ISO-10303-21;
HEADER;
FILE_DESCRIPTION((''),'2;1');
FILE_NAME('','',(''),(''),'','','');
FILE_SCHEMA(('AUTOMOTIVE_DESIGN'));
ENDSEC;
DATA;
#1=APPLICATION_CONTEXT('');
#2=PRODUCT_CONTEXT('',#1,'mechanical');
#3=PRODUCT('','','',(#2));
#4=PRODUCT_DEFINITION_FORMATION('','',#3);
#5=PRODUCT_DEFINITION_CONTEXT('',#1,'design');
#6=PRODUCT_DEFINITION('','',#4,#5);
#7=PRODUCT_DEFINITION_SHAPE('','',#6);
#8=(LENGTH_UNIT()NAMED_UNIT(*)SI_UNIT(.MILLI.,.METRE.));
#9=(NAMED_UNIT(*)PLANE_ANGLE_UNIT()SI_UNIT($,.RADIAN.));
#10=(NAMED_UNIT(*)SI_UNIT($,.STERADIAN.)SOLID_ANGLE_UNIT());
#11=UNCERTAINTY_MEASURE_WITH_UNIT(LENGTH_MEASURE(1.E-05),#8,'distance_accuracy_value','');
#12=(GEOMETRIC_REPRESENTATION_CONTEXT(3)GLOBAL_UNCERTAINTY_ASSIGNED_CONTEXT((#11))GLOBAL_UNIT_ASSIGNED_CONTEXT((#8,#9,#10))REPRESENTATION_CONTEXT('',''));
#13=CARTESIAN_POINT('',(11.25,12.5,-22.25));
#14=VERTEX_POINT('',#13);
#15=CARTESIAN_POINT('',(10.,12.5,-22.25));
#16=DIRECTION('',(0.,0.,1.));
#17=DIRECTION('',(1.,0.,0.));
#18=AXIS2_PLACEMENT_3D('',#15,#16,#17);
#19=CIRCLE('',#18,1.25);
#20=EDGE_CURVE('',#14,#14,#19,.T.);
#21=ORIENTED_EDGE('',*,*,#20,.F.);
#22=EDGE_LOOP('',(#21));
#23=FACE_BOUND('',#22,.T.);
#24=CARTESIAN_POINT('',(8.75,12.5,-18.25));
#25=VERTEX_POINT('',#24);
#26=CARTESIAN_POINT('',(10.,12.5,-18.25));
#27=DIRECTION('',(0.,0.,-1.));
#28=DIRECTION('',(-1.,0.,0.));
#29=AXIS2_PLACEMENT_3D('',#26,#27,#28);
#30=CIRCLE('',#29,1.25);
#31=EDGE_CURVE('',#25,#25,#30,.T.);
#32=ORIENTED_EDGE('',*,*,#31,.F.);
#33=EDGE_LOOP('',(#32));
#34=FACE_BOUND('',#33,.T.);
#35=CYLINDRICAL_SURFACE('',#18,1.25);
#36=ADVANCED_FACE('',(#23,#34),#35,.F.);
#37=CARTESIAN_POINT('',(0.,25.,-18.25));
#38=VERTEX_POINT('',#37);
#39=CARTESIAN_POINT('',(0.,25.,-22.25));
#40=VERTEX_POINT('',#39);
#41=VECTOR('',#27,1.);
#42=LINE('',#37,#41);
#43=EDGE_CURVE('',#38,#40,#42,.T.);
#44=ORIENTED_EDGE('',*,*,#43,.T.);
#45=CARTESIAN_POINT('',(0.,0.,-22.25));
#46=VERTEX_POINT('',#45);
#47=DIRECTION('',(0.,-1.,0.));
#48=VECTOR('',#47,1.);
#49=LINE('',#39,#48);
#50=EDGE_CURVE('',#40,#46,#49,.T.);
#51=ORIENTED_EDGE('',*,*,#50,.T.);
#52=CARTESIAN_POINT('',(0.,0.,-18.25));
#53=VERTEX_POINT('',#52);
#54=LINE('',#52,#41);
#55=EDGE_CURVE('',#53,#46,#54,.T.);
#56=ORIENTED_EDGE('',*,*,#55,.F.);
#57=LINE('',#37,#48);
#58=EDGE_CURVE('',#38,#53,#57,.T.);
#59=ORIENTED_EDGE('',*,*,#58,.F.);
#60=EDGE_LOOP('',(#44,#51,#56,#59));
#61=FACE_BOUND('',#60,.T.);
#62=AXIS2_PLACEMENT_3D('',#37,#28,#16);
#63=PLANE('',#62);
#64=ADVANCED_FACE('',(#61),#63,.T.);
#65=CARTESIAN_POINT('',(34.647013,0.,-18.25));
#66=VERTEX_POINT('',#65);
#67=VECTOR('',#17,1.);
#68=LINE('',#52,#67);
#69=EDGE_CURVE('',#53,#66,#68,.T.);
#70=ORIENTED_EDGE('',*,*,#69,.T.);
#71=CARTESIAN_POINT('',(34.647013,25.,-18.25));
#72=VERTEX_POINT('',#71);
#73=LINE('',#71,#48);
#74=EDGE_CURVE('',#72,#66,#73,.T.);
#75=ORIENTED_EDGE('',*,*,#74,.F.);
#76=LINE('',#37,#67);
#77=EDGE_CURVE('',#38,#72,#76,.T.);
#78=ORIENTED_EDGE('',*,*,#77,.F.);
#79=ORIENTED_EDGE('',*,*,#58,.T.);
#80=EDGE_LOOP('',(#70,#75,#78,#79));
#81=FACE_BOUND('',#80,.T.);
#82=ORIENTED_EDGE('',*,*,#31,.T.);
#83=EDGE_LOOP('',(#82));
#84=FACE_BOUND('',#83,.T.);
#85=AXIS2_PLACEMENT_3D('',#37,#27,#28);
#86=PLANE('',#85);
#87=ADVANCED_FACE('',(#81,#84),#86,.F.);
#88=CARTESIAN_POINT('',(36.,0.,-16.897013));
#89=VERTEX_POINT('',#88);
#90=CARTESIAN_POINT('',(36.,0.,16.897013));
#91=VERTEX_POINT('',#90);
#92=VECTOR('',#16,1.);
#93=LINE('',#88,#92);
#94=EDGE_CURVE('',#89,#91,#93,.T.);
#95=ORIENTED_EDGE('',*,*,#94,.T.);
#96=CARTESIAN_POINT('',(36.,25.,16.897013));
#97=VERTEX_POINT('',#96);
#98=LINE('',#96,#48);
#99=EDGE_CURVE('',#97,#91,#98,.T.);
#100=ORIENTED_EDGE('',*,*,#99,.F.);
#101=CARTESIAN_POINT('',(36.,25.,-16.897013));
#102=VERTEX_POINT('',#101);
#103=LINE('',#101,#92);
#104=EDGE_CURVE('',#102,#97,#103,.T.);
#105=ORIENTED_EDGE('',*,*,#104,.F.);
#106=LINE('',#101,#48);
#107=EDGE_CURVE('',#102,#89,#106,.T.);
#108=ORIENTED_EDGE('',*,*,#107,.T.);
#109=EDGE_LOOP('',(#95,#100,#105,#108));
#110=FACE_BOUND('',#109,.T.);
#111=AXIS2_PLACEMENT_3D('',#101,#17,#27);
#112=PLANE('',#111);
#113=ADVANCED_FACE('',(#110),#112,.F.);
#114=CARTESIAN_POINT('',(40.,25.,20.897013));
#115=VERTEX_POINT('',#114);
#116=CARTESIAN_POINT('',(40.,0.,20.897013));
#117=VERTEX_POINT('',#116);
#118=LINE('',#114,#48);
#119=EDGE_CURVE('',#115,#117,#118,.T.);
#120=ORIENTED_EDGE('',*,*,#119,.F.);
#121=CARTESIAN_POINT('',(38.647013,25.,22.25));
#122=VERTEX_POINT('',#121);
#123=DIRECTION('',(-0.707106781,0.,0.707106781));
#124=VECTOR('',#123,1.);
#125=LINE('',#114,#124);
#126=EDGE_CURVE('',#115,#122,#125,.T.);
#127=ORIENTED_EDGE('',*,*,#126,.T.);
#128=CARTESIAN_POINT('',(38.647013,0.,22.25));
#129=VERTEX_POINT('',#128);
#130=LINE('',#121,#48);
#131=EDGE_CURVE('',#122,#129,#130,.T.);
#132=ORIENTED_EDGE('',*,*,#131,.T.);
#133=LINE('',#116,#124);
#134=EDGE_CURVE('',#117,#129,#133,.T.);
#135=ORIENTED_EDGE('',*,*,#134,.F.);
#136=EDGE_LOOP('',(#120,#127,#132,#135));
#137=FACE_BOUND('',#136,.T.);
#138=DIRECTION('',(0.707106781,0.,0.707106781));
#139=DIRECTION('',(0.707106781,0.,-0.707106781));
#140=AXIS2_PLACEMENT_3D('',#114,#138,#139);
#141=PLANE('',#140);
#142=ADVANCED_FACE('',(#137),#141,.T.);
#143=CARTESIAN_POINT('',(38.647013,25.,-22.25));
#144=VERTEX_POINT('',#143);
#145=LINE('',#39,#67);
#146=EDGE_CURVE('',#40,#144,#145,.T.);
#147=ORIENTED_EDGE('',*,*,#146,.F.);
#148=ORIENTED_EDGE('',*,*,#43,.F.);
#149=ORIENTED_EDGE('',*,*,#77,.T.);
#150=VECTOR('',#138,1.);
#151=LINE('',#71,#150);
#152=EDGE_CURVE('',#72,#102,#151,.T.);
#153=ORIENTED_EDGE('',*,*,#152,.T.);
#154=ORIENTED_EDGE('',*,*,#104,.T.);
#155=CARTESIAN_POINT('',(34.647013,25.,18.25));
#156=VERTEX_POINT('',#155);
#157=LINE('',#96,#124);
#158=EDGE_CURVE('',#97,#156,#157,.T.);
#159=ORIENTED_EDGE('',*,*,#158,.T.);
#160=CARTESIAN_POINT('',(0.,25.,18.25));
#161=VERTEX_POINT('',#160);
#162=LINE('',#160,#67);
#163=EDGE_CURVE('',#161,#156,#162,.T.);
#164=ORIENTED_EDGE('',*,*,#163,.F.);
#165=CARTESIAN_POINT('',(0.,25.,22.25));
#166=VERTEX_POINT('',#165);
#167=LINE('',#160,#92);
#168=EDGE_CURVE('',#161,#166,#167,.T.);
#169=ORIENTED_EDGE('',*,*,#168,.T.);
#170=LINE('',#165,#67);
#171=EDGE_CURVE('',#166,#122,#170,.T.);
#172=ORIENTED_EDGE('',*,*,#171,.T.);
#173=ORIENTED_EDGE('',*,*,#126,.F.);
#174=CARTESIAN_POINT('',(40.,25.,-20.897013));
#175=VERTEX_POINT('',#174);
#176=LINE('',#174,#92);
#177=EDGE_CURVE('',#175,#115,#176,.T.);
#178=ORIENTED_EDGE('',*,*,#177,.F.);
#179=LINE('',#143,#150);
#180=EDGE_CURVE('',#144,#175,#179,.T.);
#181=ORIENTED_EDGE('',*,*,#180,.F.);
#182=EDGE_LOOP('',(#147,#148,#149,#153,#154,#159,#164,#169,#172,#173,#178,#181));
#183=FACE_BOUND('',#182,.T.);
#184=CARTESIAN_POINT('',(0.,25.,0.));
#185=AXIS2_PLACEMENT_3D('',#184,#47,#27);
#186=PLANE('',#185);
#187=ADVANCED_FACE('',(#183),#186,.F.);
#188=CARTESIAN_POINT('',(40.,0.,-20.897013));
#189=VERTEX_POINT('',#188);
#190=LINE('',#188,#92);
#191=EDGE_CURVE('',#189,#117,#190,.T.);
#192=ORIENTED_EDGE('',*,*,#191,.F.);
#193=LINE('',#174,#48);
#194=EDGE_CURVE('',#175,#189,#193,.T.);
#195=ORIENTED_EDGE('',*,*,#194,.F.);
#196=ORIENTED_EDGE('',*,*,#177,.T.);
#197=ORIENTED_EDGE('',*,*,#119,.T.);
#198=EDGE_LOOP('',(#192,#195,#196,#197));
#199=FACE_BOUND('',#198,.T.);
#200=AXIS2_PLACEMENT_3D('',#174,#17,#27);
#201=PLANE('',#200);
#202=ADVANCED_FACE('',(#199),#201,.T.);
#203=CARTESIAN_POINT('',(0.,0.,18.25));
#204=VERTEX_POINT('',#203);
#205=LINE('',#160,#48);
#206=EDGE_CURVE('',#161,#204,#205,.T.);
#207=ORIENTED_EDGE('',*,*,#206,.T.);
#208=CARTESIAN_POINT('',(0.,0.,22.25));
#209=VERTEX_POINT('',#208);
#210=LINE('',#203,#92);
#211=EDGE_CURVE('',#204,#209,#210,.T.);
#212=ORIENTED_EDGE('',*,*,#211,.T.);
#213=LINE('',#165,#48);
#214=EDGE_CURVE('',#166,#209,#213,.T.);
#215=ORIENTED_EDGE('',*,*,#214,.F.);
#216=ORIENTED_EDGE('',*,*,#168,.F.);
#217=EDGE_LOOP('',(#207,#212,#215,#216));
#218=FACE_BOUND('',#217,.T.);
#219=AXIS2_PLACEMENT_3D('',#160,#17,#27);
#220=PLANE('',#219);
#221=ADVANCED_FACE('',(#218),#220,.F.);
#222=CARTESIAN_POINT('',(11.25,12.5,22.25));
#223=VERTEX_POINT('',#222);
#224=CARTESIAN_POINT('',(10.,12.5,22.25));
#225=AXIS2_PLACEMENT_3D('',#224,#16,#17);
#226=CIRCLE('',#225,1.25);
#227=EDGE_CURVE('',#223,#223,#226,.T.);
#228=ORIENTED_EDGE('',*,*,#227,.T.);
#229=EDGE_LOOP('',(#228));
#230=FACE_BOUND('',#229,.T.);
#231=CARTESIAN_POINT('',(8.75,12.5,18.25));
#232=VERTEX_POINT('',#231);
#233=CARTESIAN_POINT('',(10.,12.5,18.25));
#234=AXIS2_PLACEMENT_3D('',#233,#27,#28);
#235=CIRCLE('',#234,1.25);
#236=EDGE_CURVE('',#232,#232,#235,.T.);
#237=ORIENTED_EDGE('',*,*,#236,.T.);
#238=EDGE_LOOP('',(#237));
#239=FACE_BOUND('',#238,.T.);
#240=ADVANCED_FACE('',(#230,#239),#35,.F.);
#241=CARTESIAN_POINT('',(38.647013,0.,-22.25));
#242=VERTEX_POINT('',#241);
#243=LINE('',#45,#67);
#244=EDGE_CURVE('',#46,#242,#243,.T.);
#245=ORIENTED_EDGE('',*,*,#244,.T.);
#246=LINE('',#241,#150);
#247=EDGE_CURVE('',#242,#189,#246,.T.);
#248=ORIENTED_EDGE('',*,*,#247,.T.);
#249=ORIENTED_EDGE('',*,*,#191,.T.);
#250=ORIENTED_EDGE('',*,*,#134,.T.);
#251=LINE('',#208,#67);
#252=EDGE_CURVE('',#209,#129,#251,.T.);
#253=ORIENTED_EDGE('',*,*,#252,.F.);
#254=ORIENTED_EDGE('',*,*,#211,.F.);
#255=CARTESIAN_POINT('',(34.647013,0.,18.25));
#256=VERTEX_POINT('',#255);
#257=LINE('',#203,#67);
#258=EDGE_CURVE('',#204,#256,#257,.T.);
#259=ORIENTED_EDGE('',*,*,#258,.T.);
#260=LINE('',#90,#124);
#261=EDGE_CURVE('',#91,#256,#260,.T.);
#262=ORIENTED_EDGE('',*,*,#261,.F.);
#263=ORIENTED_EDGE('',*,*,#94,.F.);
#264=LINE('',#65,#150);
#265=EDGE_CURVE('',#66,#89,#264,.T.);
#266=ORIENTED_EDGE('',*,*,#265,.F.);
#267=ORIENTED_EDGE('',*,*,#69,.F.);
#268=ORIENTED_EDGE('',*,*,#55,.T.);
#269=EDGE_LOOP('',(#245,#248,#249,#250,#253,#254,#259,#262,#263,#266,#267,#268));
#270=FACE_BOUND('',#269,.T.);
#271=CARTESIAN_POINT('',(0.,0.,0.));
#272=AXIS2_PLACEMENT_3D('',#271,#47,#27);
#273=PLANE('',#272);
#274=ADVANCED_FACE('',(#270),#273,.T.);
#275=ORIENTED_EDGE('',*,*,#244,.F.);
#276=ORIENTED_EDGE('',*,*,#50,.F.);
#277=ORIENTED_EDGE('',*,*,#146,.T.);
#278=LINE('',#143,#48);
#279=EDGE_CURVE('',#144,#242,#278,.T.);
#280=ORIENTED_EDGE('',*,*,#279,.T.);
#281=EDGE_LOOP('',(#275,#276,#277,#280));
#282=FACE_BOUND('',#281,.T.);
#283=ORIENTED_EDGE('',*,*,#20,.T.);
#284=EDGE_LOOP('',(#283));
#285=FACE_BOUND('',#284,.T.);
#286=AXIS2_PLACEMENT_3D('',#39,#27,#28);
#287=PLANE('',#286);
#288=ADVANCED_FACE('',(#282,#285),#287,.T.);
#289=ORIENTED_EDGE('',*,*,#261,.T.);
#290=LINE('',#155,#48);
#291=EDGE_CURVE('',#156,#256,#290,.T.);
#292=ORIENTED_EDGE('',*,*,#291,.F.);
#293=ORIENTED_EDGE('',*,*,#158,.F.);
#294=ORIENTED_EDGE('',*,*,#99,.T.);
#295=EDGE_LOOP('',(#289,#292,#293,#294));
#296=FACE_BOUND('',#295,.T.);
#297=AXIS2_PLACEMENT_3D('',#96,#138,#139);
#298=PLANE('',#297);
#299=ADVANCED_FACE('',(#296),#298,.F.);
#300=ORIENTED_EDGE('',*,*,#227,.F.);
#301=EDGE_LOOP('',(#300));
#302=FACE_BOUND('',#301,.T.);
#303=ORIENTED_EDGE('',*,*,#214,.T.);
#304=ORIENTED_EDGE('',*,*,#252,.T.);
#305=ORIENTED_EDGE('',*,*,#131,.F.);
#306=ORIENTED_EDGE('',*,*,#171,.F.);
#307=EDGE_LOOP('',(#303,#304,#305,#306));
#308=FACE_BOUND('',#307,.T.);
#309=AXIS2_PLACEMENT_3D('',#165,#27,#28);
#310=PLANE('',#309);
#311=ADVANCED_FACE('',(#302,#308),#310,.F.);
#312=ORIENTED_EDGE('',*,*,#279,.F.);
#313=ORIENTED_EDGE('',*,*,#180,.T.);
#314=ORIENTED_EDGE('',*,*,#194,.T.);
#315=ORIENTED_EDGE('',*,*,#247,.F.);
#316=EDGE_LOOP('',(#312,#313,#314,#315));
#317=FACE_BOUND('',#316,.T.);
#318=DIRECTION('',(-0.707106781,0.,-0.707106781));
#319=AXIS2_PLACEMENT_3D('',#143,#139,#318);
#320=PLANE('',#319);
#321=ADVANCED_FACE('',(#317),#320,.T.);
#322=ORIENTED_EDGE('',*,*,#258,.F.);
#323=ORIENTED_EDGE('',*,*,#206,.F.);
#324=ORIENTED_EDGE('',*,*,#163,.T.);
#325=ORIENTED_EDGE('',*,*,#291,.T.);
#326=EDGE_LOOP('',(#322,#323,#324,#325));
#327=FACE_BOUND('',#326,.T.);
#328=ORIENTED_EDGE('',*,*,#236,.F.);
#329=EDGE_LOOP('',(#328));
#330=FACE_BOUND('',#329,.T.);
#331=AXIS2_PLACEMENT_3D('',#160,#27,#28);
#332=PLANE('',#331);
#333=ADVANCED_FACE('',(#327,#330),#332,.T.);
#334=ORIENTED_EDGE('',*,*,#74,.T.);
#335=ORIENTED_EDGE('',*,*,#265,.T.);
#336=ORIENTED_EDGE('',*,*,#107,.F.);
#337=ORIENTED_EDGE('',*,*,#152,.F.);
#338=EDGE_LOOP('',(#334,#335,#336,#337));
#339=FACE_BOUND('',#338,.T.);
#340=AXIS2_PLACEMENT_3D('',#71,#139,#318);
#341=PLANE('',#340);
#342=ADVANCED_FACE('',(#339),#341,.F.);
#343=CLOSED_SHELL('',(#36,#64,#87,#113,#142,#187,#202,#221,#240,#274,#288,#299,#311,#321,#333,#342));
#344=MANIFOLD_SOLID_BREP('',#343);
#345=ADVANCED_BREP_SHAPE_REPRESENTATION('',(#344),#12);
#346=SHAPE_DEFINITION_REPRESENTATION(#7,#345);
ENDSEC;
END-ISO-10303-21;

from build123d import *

# Parameters (mm, degrees)
BOSS_EXTRUDE2_DEPTH = 25
SKETCH6_R           = 1.25
CUT_EXTRUDE1_DEPTH  = 65.847898964


with BuildPart() as part:
    # Sketch3 → Boss-Extrude2 (new body)
    with BuildSketch(Plane(origin=(0, 0, 0), x_dir=(1, 0, 0), z_dir=(0, 1, 0))):
        Polygon((0, 18.25), (0, 22.25), (38.64701272, 22.25), (40, 20.89701272), (40, -20.89701272), (38.64701272, -22.25), (0, -22.25), (0, -18.25), (34.64701272, -18.25), (36, -16.89701272), (36, 16.89701272), (34.64701272, 18.25), align=None)
    extrude(amount=BOSS_EXTRUDE2_DEPTH)

    # Sketch6 → Cut-Extrude1 (cut, through all)
    with BuildSketch(Plane.XY.offset(22.25)):
        with Locations((10, 12.5)):
            Circle(SKETCH6_R)
    extrude(amount=-CUT_EXTRUDE1_DEPTH, mode=Mode.SUBTRACT)


solid = part.part
